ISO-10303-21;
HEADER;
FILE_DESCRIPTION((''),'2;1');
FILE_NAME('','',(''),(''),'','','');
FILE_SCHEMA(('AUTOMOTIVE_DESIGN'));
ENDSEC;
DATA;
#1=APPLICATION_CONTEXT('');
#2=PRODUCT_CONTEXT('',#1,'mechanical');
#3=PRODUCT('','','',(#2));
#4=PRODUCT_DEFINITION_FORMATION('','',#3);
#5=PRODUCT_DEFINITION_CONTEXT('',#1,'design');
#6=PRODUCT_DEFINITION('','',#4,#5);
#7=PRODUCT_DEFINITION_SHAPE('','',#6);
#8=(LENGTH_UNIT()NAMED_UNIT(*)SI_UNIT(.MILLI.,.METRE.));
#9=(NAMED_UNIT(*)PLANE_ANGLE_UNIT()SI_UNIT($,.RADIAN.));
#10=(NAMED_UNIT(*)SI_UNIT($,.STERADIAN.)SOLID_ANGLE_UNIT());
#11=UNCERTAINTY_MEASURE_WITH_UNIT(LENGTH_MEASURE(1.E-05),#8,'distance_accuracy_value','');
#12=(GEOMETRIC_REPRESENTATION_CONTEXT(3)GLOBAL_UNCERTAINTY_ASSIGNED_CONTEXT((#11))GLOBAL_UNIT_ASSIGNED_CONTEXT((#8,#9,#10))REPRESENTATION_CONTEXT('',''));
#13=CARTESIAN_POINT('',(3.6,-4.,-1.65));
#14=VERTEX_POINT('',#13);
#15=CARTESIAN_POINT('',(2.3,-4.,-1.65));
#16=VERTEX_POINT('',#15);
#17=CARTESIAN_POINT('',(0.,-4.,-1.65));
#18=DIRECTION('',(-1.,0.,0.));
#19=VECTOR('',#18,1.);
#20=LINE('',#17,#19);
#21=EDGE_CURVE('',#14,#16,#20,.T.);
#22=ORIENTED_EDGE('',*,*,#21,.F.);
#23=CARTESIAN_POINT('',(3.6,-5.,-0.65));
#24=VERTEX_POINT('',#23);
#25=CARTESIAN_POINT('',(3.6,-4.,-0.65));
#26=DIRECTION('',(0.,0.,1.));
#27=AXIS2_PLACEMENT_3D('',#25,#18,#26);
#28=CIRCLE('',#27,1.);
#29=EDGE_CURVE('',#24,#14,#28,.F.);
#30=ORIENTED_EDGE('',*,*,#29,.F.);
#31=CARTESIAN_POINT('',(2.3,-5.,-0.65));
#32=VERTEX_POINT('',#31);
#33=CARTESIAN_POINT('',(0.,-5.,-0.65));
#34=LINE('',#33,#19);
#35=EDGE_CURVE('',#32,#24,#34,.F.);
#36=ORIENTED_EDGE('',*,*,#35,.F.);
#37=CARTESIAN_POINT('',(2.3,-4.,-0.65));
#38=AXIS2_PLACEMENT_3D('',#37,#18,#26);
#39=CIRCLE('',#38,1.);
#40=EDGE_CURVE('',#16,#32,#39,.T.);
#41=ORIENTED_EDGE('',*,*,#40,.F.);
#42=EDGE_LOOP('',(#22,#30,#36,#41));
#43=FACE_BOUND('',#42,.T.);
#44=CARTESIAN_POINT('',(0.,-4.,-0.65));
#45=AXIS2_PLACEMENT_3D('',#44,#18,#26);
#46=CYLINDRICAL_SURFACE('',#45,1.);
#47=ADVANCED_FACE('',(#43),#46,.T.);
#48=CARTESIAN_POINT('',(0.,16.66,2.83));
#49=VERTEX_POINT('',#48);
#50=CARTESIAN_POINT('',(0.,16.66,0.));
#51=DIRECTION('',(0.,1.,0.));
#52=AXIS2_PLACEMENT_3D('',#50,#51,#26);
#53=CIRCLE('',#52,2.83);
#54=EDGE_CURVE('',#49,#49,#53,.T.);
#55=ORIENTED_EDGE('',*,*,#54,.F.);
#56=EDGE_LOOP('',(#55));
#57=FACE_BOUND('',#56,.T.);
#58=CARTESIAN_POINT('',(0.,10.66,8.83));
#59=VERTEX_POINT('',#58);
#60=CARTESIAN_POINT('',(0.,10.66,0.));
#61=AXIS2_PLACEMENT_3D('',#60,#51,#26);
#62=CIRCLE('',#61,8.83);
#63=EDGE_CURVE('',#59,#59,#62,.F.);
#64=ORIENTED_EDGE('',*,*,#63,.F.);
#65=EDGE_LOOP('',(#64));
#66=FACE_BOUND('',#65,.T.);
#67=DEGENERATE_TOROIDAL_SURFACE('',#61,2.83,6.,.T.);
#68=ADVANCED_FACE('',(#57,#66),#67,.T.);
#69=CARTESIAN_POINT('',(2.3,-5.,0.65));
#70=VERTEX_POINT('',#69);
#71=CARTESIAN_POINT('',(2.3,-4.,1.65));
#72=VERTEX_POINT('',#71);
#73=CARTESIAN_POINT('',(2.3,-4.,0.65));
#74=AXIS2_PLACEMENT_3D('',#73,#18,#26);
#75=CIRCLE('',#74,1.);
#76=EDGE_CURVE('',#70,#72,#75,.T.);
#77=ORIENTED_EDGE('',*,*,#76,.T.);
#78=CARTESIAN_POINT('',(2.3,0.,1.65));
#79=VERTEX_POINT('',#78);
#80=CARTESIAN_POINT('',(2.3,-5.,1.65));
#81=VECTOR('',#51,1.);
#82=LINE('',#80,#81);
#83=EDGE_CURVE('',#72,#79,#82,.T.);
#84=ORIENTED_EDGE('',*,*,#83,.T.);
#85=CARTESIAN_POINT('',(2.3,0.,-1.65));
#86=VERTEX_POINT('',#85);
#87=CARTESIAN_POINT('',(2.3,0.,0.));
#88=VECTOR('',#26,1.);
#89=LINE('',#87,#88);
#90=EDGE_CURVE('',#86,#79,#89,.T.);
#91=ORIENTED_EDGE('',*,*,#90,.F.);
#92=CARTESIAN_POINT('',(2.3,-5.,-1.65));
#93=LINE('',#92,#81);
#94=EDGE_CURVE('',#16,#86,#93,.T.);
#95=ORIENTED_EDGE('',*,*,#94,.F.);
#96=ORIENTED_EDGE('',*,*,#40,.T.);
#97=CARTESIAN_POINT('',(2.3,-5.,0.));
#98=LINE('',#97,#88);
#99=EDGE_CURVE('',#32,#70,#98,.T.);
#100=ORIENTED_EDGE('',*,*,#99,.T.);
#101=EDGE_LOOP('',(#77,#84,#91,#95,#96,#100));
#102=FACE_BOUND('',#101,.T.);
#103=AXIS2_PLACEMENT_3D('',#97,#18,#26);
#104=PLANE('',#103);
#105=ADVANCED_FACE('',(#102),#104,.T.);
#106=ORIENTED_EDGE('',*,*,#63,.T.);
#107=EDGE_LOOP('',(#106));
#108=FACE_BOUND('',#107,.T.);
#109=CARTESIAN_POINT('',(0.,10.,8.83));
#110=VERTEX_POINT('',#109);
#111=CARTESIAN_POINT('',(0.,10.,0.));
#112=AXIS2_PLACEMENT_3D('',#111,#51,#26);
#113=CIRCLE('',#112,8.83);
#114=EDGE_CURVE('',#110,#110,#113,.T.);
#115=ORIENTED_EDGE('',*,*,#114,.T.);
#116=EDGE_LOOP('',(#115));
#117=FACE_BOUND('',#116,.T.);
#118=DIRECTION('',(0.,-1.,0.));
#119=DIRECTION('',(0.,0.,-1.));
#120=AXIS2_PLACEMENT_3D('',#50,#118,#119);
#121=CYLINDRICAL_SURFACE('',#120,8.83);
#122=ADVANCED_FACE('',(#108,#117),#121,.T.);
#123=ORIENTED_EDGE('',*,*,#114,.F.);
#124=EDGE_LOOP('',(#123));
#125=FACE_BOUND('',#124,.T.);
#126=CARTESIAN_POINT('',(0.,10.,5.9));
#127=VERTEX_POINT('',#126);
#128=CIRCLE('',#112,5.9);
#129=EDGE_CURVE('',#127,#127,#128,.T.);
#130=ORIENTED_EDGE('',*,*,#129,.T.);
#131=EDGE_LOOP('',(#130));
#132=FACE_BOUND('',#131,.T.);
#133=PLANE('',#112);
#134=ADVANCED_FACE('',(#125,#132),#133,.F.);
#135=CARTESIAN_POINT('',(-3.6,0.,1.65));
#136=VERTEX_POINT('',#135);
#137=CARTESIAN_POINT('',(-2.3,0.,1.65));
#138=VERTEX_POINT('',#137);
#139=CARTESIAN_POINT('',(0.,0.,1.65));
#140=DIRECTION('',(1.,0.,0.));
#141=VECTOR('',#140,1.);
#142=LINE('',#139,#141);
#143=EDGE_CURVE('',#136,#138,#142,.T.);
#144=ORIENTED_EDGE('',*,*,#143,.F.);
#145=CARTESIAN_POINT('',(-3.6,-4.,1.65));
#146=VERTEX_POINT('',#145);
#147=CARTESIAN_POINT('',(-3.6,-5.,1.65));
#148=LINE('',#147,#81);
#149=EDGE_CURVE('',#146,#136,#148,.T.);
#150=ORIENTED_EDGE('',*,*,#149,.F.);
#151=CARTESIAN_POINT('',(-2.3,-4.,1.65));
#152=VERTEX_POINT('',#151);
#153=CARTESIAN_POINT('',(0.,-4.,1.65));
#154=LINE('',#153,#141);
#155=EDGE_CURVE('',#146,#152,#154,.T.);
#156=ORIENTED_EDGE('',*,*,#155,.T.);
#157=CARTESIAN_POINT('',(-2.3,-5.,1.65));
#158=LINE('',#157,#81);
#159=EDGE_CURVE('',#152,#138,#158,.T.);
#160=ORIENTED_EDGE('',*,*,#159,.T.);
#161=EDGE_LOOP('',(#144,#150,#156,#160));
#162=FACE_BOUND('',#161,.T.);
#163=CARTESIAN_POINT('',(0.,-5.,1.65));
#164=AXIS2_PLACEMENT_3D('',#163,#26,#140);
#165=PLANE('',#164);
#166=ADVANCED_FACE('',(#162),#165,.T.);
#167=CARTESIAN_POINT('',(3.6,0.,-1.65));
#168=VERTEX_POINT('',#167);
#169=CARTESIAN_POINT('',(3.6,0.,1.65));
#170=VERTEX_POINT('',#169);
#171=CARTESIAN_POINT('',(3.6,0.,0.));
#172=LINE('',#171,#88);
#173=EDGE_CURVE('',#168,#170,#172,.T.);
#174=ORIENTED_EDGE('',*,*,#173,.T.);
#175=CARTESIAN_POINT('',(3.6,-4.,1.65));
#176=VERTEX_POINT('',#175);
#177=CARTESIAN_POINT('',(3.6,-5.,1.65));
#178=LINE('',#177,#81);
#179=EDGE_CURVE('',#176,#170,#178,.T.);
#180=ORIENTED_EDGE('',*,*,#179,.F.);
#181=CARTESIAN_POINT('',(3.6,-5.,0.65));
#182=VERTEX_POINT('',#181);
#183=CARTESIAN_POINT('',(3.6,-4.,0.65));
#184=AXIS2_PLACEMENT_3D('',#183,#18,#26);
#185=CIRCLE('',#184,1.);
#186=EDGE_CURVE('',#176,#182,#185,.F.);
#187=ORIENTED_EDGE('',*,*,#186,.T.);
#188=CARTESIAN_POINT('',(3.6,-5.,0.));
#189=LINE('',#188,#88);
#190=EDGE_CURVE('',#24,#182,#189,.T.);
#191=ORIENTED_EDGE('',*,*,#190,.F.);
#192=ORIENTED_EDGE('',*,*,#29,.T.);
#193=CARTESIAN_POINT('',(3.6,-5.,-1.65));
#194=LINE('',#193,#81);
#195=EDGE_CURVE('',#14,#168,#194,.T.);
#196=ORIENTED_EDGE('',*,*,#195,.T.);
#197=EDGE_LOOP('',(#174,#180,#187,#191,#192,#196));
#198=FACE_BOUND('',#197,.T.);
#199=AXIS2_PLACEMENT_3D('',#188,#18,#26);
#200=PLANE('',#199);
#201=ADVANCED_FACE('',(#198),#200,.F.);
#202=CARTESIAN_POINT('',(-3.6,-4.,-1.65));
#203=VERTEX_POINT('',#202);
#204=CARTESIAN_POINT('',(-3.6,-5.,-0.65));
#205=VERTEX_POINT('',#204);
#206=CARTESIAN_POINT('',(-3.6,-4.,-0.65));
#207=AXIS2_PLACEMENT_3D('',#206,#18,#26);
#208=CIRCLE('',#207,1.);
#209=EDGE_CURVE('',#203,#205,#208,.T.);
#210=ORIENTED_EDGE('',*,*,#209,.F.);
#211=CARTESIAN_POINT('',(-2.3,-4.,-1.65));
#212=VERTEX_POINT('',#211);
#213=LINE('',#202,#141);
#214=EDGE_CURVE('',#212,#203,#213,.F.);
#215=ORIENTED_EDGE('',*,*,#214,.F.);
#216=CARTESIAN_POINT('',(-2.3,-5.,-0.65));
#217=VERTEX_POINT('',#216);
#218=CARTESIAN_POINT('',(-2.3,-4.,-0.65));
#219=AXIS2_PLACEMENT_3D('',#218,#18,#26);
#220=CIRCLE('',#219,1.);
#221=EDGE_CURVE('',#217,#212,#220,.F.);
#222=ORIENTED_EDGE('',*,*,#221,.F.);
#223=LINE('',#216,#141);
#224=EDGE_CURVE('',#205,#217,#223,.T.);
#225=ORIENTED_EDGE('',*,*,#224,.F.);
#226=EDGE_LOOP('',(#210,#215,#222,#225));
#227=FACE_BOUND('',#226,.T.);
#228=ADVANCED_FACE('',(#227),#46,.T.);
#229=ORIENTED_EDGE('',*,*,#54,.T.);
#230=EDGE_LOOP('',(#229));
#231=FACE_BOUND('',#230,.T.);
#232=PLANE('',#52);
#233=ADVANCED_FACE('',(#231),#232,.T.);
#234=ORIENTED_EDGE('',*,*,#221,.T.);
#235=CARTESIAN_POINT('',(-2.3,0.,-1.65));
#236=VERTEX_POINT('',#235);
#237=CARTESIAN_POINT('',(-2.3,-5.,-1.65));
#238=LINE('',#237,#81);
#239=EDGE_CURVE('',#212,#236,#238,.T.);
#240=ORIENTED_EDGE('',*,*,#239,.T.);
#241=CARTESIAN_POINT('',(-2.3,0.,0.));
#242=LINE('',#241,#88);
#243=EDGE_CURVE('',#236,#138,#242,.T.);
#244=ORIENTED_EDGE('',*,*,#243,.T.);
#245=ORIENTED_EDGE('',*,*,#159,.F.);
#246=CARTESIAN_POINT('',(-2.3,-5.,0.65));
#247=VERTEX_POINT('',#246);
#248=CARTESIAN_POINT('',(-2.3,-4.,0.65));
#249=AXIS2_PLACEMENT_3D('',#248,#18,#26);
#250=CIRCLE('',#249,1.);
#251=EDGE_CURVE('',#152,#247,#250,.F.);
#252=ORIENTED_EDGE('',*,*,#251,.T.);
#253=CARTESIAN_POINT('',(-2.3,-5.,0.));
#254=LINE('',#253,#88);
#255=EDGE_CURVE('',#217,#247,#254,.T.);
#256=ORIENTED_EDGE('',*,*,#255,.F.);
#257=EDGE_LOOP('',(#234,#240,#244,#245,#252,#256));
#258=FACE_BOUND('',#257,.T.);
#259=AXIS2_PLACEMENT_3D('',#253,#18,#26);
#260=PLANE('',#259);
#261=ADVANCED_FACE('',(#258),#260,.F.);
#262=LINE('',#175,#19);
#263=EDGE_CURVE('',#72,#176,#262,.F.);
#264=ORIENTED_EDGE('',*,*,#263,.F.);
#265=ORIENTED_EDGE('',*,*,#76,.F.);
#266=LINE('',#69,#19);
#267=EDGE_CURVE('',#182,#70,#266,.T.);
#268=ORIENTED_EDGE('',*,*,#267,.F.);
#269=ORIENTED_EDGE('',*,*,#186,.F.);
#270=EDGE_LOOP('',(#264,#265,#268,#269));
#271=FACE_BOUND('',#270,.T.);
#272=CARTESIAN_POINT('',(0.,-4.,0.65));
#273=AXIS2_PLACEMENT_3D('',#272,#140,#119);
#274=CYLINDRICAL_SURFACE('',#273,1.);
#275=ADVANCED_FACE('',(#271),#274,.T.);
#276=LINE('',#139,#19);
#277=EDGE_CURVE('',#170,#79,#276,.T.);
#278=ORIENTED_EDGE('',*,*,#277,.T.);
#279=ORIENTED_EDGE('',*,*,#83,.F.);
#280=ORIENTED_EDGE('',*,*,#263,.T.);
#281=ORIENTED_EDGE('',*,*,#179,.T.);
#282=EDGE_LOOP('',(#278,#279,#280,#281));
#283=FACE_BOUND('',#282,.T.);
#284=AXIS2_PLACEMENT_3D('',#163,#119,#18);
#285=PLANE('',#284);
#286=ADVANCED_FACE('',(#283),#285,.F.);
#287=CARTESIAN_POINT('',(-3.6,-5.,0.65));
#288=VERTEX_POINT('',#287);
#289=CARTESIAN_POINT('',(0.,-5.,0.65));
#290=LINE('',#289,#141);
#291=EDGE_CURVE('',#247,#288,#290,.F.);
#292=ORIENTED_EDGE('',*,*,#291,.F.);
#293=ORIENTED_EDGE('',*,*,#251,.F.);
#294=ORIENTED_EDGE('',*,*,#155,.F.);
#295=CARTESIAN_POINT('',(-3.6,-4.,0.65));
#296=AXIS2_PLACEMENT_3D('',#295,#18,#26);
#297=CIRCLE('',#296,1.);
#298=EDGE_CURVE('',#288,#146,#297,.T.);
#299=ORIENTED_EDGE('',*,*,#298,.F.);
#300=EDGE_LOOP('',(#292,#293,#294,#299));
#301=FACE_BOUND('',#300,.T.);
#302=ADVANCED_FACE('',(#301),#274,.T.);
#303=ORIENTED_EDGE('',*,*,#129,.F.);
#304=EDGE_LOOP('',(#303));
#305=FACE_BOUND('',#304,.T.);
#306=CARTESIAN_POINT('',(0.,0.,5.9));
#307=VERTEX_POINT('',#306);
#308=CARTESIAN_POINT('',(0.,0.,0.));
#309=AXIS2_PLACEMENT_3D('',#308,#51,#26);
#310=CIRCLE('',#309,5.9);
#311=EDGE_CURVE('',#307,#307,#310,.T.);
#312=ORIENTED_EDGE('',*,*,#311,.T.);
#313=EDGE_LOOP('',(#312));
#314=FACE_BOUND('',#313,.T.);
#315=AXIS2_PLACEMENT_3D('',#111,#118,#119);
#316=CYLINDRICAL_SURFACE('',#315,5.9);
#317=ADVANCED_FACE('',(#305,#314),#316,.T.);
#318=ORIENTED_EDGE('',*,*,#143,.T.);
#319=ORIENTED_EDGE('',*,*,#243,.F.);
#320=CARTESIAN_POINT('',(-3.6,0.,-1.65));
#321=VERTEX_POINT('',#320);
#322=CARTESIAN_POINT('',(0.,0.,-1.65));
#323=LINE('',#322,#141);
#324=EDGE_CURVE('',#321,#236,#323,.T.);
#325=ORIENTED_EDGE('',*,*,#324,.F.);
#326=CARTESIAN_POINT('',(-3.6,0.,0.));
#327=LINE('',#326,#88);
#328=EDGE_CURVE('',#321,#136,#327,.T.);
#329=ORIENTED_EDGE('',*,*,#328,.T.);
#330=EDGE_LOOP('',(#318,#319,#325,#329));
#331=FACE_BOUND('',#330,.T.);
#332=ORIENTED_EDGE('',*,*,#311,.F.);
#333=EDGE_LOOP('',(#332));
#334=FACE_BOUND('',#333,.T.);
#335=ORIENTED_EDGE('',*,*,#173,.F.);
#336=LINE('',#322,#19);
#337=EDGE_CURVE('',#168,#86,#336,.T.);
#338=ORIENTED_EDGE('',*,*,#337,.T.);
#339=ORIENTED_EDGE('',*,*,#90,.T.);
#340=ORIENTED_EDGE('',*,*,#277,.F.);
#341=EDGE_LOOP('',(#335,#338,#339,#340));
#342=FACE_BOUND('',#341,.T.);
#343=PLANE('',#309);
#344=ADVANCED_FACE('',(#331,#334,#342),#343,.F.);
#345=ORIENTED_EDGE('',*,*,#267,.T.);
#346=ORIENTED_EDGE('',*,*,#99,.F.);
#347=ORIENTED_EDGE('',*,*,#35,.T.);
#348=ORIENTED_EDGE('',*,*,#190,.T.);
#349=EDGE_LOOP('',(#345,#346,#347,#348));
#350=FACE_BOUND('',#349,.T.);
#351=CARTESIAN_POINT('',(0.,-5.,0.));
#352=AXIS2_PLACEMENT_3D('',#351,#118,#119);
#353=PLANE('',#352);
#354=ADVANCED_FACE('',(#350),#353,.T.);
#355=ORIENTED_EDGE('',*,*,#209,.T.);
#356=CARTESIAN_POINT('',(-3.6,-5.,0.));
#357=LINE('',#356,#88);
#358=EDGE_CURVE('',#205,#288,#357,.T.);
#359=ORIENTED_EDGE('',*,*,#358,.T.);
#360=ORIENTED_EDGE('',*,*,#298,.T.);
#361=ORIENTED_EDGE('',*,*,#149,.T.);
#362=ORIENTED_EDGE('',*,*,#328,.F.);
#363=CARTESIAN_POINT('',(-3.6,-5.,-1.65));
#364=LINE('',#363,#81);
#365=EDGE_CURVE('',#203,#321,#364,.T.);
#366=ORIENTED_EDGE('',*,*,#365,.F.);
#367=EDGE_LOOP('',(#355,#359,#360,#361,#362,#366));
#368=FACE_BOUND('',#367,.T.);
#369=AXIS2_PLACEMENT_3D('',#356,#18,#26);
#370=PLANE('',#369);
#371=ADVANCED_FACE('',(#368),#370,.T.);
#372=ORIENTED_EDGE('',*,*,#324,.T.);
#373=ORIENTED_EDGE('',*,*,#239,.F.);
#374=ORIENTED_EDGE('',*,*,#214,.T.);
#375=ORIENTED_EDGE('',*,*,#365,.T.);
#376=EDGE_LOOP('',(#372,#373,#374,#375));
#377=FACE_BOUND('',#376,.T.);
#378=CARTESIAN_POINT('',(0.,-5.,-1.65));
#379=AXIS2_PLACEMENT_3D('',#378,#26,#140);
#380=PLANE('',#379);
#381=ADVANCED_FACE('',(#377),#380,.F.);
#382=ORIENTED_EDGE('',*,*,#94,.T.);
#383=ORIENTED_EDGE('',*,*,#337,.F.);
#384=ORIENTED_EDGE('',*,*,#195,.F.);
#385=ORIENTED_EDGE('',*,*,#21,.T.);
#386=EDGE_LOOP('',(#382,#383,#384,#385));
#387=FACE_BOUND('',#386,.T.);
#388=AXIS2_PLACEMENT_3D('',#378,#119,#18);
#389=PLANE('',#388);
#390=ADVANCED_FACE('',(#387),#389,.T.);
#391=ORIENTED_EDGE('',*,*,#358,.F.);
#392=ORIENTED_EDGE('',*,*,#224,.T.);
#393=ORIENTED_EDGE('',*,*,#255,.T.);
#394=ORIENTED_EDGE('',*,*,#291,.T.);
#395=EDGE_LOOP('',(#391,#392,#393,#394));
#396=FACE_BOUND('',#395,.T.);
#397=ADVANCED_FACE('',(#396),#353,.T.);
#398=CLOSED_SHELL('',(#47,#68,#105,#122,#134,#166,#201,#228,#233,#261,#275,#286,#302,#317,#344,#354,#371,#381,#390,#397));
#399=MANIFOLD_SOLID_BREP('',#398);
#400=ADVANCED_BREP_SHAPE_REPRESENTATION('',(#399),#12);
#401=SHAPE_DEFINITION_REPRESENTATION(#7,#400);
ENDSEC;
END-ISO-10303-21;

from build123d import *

# Parameters (mm, degrees)
SKETCH1_R           = 5.9
BOSS_EXTRUDE1_DEPTH = 10
SKETCH2_R           = 8.83
BOSS_EXTRUDE2_DEPTH = 6.66
FILLET1_R           = 6
SKETCH3_W           = 1.3
SKETCH3_H           = 1.65
BOSS_EXTRUDE3_DEPTH = 5
FILLET2_R           = 1


with BuildPart() as part:
    # Sketch1 → Boss-Extrude1 (new body)
    with BuildSketch(Plane(origin=(0, 0, 0), x_dir=(1, 0, 0), z_dir=(0, 1, 0))):
        with Locations(Location((0, 0, 0), (0, 0, 270))):
            Circle(SKETCH1_R)
    extrude(amount=BOSS_EXTRUDE1_DEPTH)

    # Sketch2 → Boss-Extrude2 (add)
    with BuildSketch(Plane(origin=(0, 10, 0), x_dir=(1, 0, 0), z_dir=(0, 1, 0))):
        with Locations(Location((0, 0, 0), (0, 0, 270))):
            Circle(SKETCH2_R)
    extrude(amount=BOSS_EXTRUDE2_DEPTH)

    # Fillet1
    fillet1_edges = [part.edges().sort_by_distance(p)[0] for p in [
        (0, 16.66, -8.83),
    ]]
    fillet(fillet1_edges, radius=FILLET1_R)

    # Sketch3 → Boss-Extrude3 (add)
    with BuildSketch(Plane.XZ):
        with Locations((2.95, -0.825)):
            Rectangle(SKETCH3_W, SKETCH3_H)
        with Locations((2.95, 0.825)):
            Rectangle(SKETCH3_W, SKETCH3_H)
        with Locations((-2.95, 0.825)):
            Rectangle(SKETCH3_W, SKETCH3_H)
        with Locations((-2.95, -0.825)):
            Rectangle(SKETCH3_W, SKETCH3_H)
    extrude(amount=BOSS_EXTRUDE3_DEPTH)

    # Fillet2
    fillet2_edges = [part.edges().sort_by_distance(p)[0] for p in [
        (2.95, -5, -1.65),
        (2.95, -5, 1.65),
        (-2.95, -5, 1.65),
        (-2.95, -5, -1.65),
    ]]
    fillet(fillet2_edges, radius=FILLET2_R)


solid = part.part
